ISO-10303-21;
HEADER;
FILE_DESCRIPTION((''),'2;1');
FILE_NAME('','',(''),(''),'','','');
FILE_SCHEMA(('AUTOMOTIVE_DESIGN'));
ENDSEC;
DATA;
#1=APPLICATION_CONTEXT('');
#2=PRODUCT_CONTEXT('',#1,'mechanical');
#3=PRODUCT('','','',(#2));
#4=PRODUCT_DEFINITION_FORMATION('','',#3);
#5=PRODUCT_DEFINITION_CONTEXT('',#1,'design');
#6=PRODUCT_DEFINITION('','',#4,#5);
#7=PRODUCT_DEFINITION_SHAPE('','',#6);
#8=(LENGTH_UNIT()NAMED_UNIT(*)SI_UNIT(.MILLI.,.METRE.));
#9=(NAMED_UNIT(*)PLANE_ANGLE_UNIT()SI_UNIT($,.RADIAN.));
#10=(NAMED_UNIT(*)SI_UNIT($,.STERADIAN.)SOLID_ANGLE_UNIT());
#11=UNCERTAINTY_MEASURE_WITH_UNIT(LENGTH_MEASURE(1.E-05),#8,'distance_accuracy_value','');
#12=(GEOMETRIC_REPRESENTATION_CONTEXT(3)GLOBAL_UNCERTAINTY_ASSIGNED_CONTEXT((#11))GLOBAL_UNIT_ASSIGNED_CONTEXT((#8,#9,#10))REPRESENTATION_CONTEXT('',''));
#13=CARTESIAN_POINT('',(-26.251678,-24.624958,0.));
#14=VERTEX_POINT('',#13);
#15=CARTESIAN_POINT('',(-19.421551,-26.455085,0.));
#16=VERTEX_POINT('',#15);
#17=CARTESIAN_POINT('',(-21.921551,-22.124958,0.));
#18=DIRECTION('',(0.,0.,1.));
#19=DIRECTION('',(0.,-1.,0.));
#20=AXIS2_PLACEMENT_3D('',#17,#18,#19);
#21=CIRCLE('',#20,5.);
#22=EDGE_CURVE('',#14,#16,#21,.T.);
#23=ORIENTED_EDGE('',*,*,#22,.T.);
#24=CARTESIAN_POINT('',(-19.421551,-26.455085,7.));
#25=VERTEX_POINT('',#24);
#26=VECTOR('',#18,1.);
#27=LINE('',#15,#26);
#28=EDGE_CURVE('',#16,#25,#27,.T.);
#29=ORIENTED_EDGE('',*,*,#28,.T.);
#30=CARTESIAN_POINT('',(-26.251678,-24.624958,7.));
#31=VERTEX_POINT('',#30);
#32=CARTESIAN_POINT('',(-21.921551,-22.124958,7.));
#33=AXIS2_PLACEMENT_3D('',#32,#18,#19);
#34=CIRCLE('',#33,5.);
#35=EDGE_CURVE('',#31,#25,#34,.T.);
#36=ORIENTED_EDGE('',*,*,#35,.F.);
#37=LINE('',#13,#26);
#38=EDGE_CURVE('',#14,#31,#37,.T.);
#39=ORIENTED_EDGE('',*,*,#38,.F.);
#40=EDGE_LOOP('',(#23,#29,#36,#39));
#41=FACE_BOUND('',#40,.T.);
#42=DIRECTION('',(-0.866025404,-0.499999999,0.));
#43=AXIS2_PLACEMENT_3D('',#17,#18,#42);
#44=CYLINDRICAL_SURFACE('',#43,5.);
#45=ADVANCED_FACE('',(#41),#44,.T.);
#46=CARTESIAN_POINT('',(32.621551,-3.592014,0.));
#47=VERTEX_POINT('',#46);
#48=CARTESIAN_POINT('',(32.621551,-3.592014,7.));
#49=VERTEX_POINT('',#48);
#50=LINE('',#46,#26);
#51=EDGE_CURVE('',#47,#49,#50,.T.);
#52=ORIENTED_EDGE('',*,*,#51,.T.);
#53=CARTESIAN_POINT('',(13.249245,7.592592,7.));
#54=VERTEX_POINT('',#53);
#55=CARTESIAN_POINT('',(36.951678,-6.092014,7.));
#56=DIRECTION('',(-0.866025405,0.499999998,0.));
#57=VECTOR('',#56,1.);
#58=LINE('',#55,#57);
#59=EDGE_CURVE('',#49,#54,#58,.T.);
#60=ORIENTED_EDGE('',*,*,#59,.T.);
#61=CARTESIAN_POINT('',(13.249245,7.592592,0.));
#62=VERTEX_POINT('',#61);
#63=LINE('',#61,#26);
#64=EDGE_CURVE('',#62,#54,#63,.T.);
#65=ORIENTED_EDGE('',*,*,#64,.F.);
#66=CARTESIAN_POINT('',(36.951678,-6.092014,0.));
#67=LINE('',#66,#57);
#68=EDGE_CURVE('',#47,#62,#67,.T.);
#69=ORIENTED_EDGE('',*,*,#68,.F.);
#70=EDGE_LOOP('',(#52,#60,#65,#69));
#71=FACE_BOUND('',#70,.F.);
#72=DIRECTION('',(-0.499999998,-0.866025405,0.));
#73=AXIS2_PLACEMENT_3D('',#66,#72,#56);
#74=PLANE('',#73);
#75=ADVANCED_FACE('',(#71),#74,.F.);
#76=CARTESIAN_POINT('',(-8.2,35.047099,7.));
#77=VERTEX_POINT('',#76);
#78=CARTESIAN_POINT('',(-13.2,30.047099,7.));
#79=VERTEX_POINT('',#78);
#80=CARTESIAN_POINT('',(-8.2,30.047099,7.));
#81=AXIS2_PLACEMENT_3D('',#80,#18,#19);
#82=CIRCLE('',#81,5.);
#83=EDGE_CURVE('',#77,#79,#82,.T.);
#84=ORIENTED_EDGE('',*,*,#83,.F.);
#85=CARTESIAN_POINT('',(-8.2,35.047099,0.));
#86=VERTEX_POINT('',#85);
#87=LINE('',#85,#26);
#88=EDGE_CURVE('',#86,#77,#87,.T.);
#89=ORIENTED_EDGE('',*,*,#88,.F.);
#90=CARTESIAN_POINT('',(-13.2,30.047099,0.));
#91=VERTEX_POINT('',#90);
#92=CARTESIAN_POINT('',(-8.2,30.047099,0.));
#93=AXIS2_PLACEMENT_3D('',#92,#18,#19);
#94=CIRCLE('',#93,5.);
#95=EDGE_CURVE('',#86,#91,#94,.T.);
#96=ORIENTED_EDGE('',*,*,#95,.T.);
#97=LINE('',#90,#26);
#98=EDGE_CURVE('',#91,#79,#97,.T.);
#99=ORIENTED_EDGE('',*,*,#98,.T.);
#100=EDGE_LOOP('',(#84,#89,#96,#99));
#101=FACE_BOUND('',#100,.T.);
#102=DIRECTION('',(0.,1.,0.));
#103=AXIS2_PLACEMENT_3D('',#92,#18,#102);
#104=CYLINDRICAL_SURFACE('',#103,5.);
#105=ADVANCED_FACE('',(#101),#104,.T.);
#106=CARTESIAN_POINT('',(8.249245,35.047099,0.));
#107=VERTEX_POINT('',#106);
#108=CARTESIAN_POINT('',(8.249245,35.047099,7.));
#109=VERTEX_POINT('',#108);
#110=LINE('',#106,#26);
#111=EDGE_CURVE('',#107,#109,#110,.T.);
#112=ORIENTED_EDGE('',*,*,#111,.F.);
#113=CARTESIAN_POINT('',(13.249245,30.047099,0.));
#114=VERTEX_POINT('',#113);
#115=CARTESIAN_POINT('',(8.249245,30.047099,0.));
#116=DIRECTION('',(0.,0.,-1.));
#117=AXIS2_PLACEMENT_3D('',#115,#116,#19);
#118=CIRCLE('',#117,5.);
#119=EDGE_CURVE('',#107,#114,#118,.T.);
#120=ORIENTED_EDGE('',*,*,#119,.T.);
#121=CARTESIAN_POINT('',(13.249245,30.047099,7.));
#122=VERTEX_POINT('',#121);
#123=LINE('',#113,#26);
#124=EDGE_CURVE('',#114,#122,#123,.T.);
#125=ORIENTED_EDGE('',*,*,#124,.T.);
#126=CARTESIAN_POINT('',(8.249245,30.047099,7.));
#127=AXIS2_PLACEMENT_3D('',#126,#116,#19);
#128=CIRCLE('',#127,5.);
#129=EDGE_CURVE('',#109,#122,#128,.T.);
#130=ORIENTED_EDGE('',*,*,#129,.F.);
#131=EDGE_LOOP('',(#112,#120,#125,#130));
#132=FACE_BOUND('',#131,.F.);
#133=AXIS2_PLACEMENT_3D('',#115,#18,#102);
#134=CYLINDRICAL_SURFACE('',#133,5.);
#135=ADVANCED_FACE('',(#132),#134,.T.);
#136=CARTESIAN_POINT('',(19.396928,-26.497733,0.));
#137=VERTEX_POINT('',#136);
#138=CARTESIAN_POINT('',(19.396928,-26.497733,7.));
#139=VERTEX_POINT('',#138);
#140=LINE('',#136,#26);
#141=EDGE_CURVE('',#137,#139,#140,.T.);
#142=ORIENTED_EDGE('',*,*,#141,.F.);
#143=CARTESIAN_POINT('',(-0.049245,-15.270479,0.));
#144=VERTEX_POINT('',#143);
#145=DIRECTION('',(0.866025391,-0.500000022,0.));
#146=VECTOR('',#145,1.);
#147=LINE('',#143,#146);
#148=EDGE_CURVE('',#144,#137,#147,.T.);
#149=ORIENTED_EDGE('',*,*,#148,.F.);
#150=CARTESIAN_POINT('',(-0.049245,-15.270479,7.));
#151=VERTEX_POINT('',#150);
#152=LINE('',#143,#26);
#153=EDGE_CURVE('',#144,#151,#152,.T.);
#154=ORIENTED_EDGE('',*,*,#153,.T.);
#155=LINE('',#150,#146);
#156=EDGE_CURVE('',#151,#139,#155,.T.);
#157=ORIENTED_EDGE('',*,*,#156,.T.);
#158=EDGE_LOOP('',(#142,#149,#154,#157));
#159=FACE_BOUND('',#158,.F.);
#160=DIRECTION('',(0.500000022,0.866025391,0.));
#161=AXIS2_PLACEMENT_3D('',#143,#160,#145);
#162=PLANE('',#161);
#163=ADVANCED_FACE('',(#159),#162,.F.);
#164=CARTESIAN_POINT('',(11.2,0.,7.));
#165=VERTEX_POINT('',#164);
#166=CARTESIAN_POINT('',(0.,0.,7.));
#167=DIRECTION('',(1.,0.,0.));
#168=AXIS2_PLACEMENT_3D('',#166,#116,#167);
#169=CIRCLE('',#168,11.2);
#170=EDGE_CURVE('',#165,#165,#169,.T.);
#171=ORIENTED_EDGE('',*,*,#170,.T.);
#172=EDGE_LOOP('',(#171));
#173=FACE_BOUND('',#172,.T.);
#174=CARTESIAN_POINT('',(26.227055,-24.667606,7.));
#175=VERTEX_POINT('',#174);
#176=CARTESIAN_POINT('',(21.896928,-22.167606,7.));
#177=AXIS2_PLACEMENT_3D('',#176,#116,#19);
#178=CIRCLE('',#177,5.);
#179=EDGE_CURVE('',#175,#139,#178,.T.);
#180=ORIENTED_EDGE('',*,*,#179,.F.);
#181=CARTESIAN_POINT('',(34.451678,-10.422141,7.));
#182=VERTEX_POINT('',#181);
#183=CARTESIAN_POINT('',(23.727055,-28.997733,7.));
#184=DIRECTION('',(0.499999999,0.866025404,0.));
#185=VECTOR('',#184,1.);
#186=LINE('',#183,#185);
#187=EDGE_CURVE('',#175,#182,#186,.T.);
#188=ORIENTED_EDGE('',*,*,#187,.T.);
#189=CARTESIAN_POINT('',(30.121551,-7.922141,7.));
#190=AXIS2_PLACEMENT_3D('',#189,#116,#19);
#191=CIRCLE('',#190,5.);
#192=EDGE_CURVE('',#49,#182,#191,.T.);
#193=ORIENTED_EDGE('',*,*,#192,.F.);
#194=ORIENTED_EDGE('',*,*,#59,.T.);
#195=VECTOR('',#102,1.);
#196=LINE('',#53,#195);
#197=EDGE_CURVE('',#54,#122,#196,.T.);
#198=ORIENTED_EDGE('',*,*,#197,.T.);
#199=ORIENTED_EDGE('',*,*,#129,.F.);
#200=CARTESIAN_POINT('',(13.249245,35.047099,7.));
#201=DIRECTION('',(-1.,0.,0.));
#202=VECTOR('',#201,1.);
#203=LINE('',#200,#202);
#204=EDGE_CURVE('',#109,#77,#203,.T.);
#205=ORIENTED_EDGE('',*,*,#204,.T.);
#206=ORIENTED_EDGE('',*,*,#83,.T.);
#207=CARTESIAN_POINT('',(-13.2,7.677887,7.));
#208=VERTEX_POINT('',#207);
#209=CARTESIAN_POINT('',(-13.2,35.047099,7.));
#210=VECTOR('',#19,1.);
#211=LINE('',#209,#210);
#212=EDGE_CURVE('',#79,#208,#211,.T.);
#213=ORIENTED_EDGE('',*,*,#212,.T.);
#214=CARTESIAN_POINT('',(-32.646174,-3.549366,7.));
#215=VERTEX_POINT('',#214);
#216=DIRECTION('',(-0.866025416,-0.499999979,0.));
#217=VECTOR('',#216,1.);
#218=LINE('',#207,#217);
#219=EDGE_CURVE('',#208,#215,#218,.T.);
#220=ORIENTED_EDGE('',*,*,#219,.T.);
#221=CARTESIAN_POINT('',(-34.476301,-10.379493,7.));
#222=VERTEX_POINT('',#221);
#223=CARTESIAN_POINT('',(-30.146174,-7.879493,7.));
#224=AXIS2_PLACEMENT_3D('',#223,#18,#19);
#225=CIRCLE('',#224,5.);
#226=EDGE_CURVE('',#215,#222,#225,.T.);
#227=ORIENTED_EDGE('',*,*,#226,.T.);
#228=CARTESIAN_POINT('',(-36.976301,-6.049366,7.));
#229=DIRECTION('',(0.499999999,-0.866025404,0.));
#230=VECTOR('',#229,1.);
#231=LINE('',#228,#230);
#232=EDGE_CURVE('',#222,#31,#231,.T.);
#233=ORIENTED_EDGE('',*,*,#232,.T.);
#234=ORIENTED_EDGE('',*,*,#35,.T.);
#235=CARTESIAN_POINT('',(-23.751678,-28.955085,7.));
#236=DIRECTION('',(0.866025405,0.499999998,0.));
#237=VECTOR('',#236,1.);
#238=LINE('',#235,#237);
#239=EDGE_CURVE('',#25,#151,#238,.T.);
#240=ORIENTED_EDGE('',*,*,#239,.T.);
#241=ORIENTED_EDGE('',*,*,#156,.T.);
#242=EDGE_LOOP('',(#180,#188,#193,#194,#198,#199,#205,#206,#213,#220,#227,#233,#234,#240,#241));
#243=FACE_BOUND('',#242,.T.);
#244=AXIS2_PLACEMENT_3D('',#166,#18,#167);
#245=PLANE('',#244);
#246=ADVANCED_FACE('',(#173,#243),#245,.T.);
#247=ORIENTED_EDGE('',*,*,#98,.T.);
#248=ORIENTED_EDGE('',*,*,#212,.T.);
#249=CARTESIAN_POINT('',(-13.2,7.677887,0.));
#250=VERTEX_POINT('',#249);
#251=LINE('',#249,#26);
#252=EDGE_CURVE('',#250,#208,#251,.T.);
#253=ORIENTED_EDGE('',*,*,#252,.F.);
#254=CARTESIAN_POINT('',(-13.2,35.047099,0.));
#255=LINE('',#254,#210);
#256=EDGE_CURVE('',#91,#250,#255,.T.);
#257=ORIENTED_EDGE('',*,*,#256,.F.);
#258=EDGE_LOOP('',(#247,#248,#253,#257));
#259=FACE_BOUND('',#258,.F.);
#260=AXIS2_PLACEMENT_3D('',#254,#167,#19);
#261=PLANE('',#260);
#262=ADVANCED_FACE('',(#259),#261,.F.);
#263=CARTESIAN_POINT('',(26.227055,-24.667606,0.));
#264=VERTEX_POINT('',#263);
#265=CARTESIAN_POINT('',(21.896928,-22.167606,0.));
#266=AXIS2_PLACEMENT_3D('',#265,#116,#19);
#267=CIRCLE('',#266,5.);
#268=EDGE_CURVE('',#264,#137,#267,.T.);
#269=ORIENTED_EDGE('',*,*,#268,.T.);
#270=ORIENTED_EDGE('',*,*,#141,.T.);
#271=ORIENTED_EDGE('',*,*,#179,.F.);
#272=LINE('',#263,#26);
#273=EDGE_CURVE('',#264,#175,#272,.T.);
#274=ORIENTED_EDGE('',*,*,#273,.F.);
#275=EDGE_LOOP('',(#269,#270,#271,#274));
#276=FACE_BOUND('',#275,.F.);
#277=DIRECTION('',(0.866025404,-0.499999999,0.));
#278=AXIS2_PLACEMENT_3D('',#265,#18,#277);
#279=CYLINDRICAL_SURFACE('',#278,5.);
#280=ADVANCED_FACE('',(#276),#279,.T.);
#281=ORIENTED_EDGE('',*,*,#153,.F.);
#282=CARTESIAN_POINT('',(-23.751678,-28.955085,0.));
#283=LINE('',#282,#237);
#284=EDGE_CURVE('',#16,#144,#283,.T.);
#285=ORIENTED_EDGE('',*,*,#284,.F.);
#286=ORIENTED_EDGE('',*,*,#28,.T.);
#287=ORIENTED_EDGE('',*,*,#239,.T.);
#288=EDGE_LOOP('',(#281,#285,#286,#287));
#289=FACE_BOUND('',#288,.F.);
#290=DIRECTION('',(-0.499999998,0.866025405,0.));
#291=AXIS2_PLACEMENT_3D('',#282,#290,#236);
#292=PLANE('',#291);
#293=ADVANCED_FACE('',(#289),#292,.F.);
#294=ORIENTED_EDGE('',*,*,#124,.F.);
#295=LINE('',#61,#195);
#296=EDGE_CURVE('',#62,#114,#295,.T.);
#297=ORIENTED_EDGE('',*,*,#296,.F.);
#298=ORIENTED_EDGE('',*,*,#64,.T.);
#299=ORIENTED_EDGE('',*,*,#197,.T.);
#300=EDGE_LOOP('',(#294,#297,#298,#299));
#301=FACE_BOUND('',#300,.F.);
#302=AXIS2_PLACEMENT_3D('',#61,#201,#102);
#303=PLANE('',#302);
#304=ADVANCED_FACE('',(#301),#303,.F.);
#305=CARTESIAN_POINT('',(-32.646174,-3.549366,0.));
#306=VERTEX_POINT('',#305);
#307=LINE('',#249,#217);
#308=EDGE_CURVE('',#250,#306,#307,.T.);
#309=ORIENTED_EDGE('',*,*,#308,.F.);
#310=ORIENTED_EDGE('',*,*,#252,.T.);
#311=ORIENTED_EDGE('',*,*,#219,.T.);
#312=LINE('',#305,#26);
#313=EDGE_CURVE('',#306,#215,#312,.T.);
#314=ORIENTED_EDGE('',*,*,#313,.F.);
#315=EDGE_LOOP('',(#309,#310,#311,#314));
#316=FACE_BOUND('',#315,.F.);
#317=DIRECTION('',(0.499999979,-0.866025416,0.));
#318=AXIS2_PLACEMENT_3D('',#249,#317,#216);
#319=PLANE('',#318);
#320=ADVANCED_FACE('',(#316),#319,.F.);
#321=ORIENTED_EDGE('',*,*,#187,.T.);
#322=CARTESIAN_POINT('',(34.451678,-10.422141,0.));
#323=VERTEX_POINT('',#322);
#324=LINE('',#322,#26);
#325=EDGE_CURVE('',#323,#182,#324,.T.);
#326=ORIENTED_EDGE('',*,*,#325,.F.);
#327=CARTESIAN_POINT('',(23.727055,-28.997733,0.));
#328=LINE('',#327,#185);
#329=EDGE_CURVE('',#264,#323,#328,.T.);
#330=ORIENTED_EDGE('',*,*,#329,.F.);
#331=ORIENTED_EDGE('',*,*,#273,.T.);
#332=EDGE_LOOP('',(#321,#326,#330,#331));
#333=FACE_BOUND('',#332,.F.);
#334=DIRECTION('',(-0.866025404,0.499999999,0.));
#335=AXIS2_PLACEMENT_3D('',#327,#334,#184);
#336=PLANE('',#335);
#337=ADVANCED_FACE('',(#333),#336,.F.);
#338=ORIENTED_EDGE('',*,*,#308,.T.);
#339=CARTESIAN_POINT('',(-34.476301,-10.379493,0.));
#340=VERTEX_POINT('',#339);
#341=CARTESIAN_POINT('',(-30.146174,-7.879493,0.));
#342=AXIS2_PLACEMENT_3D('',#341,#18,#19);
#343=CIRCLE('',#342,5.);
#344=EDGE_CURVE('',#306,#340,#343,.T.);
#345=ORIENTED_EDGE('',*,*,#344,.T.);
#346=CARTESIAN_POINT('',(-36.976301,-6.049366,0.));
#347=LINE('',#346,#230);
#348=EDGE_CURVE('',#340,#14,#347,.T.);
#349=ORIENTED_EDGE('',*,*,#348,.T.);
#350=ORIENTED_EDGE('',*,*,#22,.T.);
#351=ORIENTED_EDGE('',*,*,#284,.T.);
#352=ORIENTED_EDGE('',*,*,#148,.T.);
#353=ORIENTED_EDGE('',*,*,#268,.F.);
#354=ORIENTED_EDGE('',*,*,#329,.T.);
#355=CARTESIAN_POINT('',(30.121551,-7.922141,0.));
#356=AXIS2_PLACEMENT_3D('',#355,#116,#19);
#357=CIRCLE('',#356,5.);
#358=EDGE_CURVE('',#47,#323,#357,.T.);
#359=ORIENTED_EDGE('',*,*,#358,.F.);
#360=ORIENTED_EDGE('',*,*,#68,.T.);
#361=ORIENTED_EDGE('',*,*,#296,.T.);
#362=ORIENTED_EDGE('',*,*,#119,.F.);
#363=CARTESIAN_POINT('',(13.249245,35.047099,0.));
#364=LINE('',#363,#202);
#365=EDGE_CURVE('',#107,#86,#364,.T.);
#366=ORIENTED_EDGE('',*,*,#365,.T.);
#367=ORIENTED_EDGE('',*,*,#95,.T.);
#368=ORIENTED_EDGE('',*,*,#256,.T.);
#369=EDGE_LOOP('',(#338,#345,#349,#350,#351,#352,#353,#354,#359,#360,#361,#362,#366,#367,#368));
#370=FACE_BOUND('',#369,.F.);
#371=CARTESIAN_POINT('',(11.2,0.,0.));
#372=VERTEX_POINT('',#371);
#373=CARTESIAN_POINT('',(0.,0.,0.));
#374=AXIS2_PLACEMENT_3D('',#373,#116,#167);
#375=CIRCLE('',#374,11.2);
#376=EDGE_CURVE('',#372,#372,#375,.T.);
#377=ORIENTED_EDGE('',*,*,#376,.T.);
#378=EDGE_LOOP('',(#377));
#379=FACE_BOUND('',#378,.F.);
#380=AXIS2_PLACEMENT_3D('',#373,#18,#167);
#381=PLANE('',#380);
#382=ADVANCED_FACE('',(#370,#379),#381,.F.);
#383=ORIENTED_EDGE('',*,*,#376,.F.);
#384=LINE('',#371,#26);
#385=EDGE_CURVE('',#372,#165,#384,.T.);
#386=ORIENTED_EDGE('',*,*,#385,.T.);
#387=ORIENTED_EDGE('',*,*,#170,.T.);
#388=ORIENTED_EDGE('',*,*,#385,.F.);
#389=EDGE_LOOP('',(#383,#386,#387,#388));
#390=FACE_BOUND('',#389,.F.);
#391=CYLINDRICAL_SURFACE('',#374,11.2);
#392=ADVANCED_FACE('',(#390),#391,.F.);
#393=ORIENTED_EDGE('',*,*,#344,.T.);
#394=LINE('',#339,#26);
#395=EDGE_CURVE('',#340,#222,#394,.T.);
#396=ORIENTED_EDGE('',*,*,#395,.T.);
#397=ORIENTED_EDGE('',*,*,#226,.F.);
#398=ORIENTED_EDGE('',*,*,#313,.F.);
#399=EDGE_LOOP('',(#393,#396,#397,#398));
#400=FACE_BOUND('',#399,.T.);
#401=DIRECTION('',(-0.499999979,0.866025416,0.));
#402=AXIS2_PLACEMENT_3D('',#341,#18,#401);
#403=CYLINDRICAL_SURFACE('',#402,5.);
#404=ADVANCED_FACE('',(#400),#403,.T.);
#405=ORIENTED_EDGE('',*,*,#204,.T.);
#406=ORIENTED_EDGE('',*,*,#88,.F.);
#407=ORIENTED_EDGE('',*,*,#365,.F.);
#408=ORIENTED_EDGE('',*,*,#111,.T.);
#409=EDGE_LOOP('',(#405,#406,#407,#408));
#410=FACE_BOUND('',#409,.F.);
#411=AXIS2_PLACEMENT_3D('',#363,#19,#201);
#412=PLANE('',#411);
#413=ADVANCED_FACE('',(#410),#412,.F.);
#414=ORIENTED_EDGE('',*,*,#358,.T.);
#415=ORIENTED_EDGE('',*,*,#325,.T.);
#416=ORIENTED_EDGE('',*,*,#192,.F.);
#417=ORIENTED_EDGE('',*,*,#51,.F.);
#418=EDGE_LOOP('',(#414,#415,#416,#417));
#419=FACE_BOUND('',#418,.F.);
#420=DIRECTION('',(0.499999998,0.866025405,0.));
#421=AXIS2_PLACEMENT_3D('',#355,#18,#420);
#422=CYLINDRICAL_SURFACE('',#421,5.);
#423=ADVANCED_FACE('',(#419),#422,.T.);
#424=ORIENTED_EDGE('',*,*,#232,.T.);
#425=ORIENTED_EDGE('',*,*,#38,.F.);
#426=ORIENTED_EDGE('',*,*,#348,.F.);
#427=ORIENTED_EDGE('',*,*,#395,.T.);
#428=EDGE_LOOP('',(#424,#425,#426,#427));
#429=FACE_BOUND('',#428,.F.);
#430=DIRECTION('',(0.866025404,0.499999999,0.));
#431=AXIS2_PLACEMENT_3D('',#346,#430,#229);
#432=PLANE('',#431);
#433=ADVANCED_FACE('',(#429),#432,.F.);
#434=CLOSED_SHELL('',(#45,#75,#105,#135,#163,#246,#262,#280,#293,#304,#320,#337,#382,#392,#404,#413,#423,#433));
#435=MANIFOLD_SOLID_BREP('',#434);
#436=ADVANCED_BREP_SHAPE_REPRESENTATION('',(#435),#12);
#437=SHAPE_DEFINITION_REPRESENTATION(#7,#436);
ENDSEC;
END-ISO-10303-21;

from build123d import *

# Parameters (mm, degrees)
F1_DEPTH = 7
F2_DEPTH = 7
F3_R     = 5


with BuildPart() as f1:
    # F0 (on Top) → F1 (new body)
    with BuildSketch(Plane.XY):
        Polygon((13.249245, 35.047099), (-13.2, 35.047099), (-13.2, 7.677887), (-36.976301, -6.049366), (-23.751678, -28.955085), (-0.049245, -15.270479), (23.727055, -28.997733), (36.951678, -6.092014), (13.249245, 7.592592), align=None)
        with BuildLine():
            ThreePointArc((-11.2, 0), (0, 11.2), (11.2, 0))
            ThreePointArc((11.2, 0), (0, -11.2), (-11.2, 0))
        make_face(mode=Mode.SUBTRACT)
    extrude(amount=F1_DEPTH)

    # F0 (on Top) → F2 (join)
    with BuildSketch(Plane.XY):
        Polygon((13.249245, 35.047099), (-13.2, 35.047099), (-13.2, 7.677887), (-36.976301, -6.049366), (-23.751678, -28.955085), (-0.049245, -15.270479), (23.727055, -28.997733), (36.951678, -6.092014), (13.249245, 7.592592), align=None)
        with BuildLine():
            ThreePointArc((-11.2, 0), (0, 11.2), (11.2, 0))
            ThreePointArc((11.2, 0), (0, -11.2), (-11.2, 0))
        make_face(mode=Mode.SUBTRACT)
    extrude(amount=F2_DEPTH)

    # F3
    f3_edges = [f1.edges().sort_by_distance(p)[0] for p in [
        (-13.2, 35.047099, 3.5),
        (13.249245, 35.047099, 3.5),
        (36.951678, -6.092014, 3.5),
        (23.727055, -28.997733, 3.5),
        (-23.751678, -28.955085, 3.5),
        (-36.976301, -6.049366, 3.5),
    ]]
    fillet(f3_edges, radius=F3_R)


solid = f1.part
